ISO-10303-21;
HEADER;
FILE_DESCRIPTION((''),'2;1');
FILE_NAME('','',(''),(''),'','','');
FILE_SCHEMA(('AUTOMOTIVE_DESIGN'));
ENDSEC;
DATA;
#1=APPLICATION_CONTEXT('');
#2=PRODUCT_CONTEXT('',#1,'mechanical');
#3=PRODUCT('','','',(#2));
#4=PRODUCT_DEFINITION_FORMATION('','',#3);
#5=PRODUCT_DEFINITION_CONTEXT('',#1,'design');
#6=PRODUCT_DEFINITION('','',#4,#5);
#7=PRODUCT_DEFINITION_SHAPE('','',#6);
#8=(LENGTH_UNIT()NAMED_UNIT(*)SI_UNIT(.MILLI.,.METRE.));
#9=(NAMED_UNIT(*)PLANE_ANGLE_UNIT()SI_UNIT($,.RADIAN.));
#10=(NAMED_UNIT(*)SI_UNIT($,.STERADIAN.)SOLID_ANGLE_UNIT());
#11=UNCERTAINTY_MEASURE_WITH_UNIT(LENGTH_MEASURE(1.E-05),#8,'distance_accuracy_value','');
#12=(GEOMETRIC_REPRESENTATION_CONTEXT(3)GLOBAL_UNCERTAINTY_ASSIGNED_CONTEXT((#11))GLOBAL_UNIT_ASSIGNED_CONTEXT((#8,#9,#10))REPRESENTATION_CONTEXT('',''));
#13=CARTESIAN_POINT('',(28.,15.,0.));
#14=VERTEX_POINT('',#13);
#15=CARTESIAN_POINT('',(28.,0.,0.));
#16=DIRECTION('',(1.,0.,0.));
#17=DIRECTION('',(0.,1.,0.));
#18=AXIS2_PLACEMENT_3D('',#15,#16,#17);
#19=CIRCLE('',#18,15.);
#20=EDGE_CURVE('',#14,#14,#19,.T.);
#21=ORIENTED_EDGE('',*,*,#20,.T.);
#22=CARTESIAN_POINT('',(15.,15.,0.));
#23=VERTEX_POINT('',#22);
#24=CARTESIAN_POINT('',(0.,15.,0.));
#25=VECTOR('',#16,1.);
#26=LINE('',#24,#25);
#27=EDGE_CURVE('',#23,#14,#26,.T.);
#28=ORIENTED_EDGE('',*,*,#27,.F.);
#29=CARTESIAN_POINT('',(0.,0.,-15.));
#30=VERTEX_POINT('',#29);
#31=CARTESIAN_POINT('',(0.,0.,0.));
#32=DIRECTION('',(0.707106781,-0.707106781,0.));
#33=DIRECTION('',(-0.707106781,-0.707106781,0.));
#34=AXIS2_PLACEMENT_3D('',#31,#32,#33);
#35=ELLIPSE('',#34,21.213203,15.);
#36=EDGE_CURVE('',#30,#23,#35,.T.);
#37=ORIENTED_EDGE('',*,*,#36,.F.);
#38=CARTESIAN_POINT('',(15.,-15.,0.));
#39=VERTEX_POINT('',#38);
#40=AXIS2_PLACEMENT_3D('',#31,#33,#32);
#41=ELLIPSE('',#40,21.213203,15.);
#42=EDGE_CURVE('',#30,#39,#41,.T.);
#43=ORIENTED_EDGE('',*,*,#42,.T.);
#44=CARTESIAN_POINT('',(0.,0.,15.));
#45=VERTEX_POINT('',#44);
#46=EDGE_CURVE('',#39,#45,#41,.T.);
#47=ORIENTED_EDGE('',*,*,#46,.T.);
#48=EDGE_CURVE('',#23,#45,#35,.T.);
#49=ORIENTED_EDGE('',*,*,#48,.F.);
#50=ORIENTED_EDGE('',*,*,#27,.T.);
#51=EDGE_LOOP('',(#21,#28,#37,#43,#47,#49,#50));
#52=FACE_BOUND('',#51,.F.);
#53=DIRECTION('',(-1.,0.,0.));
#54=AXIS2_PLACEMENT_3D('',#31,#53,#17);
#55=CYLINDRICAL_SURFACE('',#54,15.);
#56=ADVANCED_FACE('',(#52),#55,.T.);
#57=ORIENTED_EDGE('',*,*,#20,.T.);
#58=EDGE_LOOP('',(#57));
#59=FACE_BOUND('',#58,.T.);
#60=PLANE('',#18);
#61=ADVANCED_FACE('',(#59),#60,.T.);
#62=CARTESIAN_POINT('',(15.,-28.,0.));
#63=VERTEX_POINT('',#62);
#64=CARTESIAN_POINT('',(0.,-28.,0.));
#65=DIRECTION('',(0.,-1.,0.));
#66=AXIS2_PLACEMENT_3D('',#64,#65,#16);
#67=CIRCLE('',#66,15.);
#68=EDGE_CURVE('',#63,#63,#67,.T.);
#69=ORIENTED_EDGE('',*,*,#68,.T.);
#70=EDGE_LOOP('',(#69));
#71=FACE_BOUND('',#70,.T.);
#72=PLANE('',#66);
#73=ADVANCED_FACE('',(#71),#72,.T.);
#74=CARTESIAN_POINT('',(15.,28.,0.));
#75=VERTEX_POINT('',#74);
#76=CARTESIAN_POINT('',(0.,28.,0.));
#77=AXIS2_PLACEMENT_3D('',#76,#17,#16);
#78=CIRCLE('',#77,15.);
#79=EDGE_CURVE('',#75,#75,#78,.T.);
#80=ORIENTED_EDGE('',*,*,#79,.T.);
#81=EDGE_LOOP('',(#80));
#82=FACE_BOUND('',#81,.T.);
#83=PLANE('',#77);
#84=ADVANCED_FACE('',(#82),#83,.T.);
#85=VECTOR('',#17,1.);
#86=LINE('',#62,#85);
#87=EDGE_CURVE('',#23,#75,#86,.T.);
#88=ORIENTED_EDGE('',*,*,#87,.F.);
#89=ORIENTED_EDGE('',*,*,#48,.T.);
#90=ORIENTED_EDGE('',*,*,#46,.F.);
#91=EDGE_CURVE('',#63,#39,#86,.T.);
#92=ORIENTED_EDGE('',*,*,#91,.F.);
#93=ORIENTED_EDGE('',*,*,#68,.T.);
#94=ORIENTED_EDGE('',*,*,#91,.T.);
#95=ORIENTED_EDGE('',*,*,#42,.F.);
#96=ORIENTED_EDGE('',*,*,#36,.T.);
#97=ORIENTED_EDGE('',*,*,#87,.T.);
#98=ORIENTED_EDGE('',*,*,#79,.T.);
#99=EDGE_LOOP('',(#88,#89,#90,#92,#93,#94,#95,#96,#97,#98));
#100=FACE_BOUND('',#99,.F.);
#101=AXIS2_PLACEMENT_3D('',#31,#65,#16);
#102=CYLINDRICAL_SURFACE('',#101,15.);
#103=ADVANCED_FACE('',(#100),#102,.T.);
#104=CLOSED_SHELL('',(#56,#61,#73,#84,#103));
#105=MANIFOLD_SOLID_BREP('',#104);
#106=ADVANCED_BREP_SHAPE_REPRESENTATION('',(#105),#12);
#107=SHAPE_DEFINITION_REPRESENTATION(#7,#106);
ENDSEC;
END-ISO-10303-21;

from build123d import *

# Parameters (mm, degrees)
F0_R      = 15
F1_DEPTH  = 28
F1_FACE_R = 15
F2_DEPTH  = 28
F3_R      = 15
F4_DEPTH  = 28


with BuildPart() as f1:
    # F0 (on Front) → F1 (new body)
    with BuildSketch(Plane.XZ):
        Circle(F0_R)
    extrude(amount=F1_DEPTH)

    # F1_face (on face) → F2 (join)
    with BuildSketch(Plane(origin=(0, 0, 0), x_dir=(1, 0, 0), z_dir=(0, 1, 0))):
        Circle(F1_FACE_R)
    extrude(amount=F2_DEPTH)

    # F3 (on Right) → F4 (join)
    with BuildSketch(Plane.YZ):
        Circle(F3_R)
    extrude(amount=F4_DEPTH)


solid = f1.part
